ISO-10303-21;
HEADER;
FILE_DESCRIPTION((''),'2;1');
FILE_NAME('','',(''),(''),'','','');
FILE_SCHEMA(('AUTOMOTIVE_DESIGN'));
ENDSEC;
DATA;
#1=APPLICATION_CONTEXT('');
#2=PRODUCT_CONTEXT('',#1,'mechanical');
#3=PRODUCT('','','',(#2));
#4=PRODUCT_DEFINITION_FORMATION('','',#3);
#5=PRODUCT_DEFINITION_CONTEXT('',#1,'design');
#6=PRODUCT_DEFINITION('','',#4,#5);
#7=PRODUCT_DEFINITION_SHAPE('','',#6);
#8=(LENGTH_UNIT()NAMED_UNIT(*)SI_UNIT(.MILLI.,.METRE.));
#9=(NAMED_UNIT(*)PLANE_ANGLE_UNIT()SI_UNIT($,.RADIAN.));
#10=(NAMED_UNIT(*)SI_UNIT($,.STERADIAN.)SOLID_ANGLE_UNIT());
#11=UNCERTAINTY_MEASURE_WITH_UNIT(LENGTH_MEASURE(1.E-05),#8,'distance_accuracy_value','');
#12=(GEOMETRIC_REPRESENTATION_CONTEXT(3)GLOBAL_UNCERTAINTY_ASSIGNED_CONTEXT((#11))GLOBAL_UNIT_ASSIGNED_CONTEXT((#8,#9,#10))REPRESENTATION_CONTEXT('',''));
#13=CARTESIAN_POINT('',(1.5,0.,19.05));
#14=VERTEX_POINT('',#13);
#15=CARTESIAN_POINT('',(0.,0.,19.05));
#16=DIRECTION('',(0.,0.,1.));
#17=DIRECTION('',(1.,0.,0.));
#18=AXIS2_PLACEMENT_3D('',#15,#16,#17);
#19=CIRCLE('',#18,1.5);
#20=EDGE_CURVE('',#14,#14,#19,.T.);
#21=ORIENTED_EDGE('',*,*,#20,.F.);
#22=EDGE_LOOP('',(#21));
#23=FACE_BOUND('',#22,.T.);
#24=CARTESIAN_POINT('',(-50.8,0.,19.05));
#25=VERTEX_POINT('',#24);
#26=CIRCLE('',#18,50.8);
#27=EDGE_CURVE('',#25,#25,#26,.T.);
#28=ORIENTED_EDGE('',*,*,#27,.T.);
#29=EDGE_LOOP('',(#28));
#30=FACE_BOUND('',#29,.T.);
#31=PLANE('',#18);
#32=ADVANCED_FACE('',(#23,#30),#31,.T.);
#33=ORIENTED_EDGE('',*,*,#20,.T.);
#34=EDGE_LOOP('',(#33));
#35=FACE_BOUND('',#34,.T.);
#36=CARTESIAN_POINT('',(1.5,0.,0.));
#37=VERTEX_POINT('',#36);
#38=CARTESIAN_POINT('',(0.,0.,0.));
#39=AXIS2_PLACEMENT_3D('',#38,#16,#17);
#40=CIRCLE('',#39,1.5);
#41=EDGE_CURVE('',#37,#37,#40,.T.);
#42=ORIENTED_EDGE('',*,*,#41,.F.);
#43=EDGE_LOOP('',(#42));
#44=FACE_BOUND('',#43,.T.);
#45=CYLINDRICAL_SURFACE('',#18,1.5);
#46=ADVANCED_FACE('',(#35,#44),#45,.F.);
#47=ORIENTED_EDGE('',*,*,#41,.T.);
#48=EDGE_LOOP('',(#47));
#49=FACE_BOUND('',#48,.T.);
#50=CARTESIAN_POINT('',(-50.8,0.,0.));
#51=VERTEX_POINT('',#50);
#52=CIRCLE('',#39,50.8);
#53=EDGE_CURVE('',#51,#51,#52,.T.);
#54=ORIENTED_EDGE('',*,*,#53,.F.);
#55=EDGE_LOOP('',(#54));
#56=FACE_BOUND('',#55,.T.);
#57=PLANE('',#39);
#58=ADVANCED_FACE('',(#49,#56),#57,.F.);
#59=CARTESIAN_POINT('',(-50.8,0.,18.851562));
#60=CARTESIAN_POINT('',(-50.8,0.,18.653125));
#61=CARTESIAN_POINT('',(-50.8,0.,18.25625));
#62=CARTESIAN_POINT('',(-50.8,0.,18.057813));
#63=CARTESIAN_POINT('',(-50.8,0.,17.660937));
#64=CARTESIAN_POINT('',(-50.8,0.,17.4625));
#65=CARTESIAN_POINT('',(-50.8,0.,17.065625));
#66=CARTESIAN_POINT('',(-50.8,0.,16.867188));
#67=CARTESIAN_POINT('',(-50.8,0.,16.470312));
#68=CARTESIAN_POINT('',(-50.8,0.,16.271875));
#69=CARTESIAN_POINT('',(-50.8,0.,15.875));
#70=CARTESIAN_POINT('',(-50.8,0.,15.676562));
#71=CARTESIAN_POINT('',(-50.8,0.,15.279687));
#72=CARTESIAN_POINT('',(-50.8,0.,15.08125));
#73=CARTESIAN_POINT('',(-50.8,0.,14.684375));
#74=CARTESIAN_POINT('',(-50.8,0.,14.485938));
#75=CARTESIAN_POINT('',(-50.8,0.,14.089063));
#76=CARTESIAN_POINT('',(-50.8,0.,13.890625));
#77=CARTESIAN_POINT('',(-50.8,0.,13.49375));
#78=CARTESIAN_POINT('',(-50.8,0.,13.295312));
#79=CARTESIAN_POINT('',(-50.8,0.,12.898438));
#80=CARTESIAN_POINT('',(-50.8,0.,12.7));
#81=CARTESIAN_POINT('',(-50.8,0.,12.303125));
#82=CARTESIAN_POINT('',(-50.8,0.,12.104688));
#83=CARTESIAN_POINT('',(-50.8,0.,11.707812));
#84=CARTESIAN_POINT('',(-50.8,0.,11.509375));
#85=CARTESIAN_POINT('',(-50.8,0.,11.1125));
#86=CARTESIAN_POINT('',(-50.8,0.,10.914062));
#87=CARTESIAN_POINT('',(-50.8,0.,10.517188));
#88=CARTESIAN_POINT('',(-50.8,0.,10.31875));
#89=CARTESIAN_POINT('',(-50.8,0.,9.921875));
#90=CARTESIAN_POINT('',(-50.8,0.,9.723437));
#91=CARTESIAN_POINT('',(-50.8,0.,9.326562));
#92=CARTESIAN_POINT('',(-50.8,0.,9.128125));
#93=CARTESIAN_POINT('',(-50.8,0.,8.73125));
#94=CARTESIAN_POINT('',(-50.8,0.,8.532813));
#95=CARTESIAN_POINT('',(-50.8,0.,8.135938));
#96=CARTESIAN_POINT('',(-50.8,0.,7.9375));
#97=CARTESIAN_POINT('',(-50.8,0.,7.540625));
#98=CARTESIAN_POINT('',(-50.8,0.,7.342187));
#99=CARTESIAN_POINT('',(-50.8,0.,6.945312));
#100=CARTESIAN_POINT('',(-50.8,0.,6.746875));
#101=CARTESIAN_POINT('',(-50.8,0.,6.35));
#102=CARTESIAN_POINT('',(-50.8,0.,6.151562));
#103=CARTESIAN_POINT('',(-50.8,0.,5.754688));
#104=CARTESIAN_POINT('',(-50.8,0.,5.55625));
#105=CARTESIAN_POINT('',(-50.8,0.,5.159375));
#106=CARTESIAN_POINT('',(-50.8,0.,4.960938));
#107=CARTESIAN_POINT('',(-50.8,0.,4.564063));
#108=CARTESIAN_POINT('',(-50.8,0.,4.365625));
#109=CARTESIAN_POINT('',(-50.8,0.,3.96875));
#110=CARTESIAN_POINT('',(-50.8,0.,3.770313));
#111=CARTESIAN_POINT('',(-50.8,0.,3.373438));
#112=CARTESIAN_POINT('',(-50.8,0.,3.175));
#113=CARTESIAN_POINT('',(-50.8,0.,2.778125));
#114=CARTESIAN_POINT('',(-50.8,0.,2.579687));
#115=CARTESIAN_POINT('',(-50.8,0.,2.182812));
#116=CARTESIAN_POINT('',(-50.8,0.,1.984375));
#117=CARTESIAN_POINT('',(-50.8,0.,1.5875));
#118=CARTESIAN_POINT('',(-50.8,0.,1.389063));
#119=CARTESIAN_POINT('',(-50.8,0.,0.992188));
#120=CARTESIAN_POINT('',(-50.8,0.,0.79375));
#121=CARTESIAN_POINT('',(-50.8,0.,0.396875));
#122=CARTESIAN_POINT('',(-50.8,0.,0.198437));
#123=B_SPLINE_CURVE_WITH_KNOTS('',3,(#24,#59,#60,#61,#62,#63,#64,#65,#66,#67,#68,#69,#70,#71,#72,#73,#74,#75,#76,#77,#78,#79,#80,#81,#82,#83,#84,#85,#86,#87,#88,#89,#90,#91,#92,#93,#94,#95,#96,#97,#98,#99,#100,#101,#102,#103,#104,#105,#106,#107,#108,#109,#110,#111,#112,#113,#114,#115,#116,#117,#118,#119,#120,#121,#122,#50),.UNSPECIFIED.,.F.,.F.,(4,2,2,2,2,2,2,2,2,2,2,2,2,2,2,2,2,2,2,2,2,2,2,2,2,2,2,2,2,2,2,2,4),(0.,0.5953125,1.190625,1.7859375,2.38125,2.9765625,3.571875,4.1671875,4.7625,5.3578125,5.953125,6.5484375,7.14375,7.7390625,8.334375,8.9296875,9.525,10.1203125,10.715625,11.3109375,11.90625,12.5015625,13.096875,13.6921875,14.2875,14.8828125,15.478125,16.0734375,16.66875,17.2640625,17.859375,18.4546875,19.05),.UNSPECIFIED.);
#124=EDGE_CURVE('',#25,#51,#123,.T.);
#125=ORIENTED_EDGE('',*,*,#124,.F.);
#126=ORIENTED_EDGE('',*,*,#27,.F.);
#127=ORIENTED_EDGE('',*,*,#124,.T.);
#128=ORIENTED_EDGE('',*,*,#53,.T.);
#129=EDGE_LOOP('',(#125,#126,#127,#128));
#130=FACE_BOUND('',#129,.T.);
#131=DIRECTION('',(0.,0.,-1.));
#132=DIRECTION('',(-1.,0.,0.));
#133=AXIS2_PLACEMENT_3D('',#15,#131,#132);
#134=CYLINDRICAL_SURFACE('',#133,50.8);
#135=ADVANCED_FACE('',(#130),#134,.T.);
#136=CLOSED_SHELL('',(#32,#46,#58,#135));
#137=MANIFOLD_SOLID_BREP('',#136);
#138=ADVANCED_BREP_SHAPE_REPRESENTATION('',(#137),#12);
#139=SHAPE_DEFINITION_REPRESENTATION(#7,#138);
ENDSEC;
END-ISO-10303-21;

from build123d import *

# Parameters (mm, degrees)
SKETCH1_R                       = 50.8
BOSS_EXTRUDE1_DEPTH             = 19.05
F_3_0MM_CLEARANCE_DOWEL_HOLE1_D = 3


with BuildPart() as part:
    # Sketch1 → Boss-Extrude1 (new body)
    with BuildSketch(Plane.XY):
        with Locations(Location((0, 0, 0), (0, 0, 180))):
            Circle(SKETCH1_R)
    extrude(amount=BOSS_EXTRUDE1_DEPTH)

    # Ø3.0mm Clearance Dowel Hole1 (through all)
    with Locations(Plane.XY.offset(19.05)):
        with Locations((0, 0)):
            Hole(F_3_0MM_CLEARANCE_DOWEL_HOLE1_D / 2)


solid = part.part
